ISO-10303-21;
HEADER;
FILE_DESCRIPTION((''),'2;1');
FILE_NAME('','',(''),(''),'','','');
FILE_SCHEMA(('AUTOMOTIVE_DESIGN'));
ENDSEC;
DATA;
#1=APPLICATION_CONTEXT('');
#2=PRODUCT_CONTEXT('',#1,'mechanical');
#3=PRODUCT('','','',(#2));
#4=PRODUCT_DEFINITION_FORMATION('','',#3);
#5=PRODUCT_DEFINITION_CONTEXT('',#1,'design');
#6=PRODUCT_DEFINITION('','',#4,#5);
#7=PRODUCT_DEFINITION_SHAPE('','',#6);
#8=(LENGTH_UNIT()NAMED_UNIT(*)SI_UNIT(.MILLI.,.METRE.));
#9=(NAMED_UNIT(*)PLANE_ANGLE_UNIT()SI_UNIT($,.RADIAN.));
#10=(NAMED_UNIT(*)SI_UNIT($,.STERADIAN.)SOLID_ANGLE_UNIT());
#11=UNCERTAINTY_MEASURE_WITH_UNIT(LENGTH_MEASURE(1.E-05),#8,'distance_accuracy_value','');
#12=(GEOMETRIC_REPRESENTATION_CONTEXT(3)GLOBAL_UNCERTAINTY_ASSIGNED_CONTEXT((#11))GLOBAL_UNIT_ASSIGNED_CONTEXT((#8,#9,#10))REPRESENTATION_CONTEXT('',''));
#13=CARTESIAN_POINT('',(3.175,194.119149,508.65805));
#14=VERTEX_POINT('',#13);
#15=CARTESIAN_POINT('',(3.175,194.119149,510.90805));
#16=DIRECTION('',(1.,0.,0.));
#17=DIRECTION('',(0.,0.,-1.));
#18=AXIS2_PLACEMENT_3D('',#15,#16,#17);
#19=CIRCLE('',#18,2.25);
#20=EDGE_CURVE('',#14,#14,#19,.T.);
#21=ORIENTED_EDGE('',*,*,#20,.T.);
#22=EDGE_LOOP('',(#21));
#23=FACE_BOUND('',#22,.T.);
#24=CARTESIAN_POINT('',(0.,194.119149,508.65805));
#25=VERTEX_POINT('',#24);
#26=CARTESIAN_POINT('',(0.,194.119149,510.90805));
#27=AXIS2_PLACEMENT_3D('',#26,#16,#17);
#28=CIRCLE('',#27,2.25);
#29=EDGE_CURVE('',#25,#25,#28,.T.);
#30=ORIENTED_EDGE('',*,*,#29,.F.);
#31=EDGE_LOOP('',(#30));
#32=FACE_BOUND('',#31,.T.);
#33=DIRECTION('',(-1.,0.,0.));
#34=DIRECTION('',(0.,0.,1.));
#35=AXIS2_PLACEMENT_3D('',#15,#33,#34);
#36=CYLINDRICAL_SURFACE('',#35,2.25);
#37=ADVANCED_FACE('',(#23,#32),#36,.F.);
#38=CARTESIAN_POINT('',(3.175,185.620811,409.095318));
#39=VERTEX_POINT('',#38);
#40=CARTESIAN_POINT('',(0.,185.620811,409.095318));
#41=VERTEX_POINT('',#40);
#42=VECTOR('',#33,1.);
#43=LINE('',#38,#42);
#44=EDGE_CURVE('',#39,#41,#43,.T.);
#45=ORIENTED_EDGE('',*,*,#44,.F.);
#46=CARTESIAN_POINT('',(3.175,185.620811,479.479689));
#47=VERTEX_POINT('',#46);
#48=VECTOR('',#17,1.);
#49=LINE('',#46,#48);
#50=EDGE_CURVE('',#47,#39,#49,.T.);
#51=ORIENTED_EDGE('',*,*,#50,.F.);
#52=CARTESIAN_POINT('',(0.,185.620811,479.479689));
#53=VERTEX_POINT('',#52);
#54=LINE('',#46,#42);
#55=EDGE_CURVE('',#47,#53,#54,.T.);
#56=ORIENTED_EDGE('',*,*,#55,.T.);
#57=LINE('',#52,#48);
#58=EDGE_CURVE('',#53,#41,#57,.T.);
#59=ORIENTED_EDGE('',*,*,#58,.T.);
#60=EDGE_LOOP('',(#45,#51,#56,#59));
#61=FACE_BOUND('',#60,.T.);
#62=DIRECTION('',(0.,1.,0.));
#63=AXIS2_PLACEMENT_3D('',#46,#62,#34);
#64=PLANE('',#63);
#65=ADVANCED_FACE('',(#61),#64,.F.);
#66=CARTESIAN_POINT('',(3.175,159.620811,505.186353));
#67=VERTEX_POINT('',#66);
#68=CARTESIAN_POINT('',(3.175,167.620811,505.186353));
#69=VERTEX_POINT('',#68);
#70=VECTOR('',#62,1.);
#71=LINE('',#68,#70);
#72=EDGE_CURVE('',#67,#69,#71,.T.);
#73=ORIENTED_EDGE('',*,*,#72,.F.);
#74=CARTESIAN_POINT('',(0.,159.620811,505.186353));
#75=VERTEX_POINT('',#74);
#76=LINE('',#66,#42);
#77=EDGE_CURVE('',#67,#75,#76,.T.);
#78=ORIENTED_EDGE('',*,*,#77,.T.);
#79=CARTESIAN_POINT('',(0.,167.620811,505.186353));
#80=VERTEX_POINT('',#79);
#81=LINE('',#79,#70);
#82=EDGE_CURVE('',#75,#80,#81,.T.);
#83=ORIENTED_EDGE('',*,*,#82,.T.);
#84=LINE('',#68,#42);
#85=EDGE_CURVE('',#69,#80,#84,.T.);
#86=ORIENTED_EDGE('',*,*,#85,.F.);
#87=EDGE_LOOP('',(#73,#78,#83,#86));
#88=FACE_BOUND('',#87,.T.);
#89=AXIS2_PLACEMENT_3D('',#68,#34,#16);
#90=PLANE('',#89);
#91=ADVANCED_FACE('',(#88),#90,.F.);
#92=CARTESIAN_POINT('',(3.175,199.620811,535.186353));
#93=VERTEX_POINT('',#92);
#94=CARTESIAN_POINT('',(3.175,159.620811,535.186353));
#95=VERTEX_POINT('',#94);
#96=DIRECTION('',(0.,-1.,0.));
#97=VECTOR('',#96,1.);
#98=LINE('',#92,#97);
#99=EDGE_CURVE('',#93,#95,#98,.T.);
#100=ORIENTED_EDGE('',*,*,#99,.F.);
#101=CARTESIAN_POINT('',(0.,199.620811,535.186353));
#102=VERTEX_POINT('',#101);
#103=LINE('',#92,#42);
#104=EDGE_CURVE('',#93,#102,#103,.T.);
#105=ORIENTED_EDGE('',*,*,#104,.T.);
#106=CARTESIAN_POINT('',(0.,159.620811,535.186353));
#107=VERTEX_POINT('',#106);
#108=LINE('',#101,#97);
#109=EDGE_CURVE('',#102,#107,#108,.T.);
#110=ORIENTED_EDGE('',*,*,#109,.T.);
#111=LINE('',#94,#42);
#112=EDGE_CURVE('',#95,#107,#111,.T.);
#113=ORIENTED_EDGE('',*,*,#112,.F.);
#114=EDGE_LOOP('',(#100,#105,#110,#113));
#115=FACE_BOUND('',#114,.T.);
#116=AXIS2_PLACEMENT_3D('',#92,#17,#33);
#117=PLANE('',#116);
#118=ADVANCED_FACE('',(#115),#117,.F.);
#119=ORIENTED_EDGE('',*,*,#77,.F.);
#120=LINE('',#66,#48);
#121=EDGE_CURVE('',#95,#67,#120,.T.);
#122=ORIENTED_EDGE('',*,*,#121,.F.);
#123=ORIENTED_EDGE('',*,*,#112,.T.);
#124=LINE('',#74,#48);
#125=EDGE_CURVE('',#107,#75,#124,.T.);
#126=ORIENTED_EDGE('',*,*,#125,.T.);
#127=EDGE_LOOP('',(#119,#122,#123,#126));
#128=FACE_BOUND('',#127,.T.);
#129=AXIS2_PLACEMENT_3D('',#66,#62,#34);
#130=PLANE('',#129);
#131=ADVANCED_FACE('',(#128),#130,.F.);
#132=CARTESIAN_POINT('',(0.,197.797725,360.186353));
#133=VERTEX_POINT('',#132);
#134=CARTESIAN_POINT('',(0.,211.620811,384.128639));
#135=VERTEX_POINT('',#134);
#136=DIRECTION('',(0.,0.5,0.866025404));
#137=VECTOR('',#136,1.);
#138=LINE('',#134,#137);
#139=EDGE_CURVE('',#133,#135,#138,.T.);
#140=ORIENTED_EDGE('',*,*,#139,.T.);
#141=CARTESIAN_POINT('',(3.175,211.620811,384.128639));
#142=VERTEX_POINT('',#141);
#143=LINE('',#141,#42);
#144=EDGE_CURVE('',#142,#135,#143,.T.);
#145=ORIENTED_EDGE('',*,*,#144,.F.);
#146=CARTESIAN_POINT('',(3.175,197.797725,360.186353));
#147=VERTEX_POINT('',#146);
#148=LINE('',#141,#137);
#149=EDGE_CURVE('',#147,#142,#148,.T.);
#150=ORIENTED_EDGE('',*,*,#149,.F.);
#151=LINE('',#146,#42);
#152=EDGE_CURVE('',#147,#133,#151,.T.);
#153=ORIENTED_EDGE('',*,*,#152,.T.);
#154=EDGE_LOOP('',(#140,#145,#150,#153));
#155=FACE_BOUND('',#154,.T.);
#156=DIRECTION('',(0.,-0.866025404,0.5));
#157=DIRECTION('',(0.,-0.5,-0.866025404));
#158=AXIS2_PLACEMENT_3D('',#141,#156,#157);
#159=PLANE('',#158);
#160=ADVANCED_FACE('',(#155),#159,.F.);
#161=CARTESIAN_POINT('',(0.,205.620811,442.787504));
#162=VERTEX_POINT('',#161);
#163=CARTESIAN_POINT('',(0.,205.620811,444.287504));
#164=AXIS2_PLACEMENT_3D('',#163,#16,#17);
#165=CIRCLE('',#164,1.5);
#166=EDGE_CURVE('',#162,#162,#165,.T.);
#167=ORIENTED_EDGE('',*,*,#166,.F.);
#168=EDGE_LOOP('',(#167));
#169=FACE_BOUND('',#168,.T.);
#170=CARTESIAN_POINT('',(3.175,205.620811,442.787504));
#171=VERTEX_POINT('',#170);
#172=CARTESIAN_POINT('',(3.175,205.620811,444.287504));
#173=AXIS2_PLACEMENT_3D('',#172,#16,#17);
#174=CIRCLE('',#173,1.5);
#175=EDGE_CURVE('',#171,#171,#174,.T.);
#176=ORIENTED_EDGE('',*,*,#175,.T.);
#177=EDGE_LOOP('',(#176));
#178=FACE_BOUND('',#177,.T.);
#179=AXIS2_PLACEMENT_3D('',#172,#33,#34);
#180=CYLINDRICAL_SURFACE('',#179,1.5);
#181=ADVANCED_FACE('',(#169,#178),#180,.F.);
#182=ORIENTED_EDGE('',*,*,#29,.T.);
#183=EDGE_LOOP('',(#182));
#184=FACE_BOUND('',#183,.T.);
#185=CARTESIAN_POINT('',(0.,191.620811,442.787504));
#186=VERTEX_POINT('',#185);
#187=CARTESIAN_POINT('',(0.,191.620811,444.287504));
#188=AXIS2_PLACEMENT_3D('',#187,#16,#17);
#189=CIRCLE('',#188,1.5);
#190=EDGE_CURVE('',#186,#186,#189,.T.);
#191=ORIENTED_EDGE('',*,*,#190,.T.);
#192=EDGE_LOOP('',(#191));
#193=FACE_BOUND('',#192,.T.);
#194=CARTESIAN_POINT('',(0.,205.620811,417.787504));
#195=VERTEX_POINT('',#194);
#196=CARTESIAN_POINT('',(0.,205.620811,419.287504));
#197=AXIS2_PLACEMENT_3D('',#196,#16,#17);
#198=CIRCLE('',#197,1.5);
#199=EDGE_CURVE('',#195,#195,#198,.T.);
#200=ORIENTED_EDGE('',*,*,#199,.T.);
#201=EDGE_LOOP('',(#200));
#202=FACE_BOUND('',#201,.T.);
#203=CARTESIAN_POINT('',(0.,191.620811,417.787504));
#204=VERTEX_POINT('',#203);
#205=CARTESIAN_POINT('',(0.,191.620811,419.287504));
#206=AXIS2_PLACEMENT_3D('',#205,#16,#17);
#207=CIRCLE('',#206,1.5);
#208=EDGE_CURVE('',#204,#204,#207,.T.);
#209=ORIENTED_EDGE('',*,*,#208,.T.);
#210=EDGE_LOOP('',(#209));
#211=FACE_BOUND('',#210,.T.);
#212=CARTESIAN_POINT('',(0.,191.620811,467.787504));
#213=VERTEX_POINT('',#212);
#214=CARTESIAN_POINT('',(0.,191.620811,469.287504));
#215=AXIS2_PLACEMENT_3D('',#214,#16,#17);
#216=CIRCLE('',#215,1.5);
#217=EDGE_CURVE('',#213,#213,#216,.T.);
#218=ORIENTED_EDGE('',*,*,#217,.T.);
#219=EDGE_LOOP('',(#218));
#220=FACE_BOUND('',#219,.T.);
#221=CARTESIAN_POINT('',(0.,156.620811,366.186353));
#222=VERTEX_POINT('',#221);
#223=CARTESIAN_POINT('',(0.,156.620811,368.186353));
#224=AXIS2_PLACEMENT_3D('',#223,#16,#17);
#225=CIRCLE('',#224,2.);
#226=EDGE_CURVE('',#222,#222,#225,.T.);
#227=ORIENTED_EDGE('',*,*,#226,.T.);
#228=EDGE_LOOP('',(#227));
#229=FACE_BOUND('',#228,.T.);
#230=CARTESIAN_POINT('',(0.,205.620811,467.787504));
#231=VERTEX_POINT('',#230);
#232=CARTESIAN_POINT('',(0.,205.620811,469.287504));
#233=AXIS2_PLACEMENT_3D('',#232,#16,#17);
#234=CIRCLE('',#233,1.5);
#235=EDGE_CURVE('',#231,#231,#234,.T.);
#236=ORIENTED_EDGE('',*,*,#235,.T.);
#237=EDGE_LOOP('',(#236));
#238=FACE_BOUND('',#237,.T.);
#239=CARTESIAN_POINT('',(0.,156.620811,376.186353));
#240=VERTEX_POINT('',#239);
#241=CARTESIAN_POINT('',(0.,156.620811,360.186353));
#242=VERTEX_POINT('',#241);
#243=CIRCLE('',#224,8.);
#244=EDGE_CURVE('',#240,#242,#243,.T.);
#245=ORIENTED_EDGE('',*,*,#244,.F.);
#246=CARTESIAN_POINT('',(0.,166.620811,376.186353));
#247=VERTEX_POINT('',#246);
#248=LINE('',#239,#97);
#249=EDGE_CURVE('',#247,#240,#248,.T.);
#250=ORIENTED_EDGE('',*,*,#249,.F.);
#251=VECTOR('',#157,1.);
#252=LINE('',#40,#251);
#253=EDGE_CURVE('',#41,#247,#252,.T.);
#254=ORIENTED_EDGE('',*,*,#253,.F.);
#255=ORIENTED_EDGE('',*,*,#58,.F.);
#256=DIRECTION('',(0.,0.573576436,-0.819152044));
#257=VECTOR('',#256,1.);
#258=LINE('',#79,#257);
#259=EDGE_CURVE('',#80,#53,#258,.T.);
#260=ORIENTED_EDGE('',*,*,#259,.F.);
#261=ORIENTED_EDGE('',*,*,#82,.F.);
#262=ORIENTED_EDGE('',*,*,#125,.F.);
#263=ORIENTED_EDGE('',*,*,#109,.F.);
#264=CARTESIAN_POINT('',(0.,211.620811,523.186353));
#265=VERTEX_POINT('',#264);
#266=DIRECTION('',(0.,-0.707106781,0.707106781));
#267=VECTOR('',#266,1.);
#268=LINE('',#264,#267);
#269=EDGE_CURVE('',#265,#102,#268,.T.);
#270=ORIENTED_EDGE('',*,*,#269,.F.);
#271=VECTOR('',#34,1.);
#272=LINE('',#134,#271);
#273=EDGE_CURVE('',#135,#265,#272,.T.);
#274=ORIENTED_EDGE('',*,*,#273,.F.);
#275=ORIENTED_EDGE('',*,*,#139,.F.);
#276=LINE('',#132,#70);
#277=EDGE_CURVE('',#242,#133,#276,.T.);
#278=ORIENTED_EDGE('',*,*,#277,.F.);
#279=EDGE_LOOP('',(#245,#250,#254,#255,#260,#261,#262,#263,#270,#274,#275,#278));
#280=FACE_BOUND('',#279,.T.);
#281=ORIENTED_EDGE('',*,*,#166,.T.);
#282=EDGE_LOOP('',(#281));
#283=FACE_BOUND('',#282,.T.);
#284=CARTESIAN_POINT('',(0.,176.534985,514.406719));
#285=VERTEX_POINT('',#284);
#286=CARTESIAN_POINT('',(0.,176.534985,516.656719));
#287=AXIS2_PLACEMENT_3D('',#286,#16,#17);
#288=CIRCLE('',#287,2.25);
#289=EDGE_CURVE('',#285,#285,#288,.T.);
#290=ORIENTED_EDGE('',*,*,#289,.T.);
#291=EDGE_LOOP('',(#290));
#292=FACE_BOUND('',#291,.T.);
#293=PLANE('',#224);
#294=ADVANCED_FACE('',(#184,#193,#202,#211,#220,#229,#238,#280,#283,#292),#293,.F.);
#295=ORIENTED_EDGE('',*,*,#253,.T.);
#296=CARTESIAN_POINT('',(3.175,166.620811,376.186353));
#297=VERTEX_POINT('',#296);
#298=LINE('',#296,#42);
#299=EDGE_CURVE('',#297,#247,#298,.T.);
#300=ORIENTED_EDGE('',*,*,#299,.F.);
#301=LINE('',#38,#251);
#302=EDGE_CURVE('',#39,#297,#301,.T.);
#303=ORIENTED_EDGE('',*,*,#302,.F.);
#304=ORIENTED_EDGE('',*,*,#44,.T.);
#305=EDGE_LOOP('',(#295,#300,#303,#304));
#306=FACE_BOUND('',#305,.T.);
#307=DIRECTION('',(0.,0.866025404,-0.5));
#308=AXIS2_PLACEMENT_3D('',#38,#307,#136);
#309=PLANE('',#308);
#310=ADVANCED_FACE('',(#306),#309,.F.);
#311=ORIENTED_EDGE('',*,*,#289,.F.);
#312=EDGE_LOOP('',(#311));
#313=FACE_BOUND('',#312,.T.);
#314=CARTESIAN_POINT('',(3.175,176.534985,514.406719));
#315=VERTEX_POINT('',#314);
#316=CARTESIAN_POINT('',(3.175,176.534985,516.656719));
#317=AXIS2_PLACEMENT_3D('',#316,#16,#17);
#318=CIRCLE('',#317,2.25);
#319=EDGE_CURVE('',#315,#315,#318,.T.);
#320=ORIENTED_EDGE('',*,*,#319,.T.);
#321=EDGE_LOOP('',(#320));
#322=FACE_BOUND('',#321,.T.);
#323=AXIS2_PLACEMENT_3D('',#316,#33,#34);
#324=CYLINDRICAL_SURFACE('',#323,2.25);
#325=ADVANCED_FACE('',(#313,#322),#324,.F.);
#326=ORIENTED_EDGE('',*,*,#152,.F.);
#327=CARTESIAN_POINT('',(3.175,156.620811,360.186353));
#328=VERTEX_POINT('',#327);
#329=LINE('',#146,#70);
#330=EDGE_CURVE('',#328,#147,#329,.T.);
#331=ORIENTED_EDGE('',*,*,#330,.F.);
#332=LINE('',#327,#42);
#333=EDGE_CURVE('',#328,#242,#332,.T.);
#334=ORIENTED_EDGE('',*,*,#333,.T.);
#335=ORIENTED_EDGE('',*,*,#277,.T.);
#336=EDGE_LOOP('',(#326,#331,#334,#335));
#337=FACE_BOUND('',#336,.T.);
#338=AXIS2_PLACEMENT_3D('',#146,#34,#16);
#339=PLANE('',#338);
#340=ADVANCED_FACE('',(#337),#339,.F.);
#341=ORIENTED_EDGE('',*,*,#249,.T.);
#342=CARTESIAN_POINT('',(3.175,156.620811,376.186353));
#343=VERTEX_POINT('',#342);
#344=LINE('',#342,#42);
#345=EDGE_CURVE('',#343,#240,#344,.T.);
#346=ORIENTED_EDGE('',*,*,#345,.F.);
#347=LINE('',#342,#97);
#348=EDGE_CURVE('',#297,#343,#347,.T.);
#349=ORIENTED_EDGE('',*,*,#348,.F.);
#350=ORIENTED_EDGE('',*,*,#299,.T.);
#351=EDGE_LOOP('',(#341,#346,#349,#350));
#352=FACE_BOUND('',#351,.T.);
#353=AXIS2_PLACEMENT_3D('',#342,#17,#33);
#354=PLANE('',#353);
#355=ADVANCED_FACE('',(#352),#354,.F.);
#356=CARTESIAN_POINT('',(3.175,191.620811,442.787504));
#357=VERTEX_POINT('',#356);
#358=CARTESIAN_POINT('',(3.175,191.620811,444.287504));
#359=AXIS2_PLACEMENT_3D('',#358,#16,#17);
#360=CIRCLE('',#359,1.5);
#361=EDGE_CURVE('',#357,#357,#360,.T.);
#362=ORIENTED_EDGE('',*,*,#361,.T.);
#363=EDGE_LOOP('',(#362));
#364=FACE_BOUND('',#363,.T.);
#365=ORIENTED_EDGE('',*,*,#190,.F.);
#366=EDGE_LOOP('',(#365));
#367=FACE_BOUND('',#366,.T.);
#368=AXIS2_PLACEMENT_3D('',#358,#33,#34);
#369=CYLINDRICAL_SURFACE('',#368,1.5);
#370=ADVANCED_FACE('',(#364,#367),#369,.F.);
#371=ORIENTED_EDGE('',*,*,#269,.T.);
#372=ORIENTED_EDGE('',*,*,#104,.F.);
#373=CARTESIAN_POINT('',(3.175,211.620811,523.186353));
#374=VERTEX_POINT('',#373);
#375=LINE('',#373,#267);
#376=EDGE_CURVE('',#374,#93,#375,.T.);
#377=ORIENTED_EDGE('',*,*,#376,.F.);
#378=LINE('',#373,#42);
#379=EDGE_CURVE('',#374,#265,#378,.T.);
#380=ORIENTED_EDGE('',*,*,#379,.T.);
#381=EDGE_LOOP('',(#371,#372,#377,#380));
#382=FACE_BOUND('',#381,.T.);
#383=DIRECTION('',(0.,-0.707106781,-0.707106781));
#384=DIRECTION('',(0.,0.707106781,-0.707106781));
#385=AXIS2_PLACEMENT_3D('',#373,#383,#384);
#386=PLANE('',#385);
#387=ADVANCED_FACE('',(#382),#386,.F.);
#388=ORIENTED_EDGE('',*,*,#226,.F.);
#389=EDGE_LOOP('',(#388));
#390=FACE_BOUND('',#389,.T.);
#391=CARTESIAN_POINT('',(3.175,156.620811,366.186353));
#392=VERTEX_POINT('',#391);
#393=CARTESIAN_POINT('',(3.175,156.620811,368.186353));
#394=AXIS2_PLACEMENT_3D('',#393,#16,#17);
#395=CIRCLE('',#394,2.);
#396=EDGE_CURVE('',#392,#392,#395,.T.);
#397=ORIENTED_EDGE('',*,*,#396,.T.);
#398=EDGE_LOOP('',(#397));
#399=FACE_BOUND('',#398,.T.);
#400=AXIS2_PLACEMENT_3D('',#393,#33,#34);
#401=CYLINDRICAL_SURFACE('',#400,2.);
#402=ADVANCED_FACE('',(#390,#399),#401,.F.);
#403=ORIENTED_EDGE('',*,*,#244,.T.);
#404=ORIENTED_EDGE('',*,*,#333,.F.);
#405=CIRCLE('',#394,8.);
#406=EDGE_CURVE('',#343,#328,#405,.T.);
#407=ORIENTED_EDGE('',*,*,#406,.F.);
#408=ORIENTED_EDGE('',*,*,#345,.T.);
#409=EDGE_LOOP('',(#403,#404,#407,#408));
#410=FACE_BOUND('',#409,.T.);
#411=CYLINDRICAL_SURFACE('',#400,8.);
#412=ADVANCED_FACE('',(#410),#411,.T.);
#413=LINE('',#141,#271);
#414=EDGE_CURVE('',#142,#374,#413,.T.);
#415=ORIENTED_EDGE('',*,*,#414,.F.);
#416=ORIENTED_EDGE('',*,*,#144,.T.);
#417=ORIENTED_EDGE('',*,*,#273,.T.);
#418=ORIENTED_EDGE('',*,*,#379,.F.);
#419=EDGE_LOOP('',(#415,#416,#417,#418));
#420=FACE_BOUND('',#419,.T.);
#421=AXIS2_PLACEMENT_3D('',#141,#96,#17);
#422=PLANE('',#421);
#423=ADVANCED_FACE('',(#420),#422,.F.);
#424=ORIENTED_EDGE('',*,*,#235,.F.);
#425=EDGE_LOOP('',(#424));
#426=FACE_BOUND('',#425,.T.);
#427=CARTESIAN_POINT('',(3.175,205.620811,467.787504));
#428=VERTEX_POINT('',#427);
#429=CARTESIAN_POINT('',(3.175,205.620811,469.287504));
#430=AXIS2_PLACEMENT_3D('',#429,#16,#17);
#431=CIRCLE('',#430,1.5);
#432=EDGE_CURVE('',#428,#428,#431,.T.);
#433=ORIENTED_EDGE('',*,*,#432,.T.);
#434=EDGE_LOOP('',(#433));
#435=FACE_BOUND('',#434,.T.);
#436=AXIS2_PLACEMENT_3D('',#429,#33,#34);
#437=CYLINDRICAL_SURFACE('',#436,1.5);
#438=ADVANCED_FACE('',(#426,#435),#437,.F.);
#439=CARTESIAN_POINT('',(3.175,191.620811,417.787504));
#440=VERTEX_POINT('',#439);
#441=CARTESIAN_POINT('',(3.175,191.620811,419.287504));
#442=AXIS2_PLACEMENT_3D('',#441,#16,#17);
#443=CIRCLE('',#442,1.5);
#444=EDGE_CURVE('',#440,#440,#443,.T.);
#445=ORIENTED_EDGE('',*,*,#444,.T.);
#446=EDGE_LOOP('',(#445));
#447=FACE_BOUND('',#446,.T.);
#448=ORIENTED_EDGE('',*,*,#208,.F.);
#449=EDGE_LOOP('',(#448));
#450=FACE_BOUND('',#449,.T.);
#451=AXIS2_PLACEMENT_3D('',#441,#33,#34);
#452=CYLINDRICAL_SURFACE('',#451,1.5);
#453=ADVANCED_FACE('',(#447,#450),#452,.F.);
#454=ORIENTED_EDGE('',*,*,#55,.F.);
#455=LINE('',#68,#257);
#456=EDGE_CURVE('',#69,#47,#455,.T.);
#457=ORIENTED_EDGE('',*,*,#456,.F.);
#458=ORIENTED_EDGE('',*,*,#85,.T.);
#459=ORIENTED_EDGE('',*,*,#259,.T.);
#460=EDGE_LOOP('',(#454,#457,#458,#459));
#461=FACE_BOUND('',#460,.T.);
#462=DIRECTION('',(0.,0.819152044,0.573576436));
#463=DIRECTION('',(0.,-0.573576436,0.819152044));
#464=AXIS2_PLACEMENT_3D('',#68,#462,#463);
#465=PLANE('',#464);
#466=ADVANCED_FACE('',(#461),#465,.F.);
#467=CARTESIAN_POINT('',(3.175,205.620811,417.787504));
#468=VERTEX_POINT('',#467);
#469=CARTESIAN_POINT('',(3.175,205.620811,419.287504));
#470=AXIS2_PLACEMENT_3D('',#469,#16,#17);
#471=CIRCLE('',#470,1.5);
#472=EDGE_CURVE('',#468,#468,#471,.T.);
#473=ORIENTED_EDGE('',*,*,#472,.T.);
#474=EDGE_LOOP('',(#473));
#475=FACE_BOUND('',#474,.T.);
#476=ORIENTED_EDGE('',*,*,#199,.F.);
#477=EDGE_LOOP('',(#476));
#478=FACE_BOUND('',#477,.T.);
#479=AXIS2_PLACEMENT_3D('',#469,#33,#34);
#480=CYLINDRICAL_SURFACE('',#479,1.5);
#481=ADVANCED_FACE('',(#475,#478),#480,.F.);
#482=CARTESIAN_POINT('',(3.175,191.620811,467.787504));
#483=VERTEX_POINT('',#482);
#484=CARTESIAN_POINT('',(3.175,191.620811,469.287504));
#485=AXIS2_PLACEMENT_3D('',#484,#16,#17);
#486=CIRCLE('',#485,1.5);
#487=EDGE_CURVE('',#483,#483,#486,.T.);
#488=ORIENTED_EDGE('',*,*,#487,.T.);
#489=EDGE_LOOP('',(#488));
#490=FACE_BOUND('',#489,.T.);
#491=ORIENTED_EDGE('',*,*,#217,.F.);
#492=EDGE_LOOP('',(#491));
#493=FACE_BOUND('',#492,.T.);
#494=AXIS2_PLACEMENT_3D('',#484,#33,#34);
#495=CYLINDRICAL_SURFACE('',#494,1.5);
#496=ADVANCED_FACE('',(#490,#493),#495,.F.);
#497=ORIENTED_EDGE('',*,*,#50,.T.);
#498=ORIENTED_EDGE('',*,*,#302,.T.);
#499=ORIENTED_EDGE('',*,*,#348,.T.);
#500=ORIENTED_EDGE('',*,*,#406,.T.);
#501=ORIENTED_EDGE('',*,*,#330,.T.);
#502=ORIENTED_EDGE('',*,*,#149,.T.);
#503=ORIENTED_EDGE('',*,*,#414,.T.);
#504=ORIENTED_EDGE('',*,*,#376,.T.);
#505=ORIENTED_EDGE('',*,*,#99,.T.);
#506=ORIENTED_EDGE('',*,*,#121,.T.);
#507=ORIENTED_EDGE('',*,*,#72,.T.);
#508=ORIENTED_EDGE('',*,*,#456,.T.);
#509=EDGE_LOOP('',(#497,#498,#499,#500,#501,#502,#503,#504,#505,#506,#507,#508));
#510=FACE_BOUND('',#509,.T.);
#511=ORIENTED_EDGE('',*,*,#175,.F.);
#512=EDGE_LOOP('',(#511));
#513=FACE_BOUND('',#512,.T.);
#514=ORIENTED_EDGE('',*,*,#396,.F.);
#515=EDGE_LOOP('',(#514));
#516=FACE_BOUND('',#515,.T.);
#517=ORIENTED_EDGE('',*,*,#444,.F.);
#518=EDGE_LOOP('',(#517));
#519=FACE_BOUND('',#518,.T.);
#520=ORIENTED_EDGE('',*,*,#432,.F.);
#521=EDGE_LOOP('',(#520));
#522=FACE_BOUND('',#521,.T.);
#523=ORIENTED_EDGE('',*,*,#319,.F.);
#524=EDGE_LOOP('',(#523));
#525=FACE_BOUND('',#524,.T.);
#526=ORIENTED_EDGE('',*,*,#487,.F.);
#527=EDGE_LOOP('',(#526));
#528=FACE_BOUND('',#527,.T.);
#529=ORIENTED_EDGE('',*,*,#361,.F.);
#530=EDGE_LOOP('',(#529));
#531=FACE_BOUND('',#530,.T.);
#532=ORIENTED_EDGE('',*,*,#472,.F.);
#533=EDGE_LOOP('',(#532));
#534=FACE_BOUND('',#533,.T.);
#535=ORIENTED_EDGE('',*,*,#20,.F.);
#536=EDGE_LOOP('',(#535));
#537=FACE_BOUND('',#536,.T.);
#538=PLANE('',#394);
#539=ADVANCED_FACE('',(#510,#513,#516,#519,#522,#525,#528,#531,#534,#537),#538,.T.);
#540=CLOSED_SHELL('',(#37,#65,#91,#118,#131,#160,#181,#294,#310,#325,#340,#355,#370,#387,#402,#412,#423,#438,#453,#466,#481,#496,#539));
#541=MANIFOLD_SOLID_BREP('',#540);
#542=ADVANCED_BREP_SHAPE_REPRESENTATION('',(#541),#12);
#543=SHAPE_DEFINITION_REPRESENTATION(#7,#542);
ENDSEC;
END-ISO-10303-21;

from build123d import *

# Parameters (mm, degrees)
SKETCH1_R           = 2
SKETCH1_R_2         = 1.5
SKETCH1_R_3         = 2.25
BOSS_EXTRUDE1_DEPTH = 3.175


with BuildPart() as part:
    # Sketch1 → Boss-Extrude1 (new body)
    with BuildSketch(Plane(origin=(0, 0, 0), x_dir=(0, 0, -1), z_dir=(1, 0, 0))):
        with BuildLine():
            Line((-384.128639271, 211.620810697), (-360.186352931, 197.797725233))
            Line((-360.186352931, 197.797725233), (-360.186352931, 156.620810697))
            ThreePointArc((-360.186352931, 156.620810697), (-368.186352931, 148.620810697), (-376.186352931, 156.620810697))
            Line((-376.186352931, 156.620810697), (-376.186352931, 166.620810697))
            Line((-376.186352931, 166.620810697), (-409.095318274, 185.620810697))
            Line((-409.095318274, 185.620810697), (-479.479688809, 185.620810697))
            Line((-479.479688809, 185.620810697), (-505.186352931, 167.620810697))
            Line((-505.186352931, 167.620810697), (-505.186352931, 159.620810697))
            Line((-505.186352931, 159.620810697), (-535.186352931, 159.620810697))
            Line((-535.186352931, 159.620810697), (-535.186352931, 199.620810697))
            Line((-535.186352931, 199.620810697), (-523.186352931, 211.620810697))
            Line((-523.186352931, 211.620810697), (-384.128639271, 211.620810697))
        make_face()
        with Locations((-368.186352931, 156.620810697)):
            Circle(SKETCH1_R, mode=Mode.SUBTRACT)
        with Locations((-419.287503542, 205.620810697)):
            Circle(SKETCH1_R_2, mode=Mode.SUBTRACT)
        with Locations((-510.908050144, 194.119148631)):
            Circle(SKETCH1_R_3, mode=Mode.SUBTRACT)
        with Locations((-516.656718986, 176.534985115)):
            Circle(SKETCH1_R_3, mode=Mode.SUBTRACT)
        with Locations((-419.287503542, 191.620810697)):
            Circle(SKETCH1_R_2, mode=Mode.SUBTRACT)
        with Locations((-469.287503542, 205.620810697)):
            Circle(SKETCH1_R_2, mode=Mode.SUBTRACT)
        with Locations((-469.287503542, 191.620810697)):
            Circle(SKETCH1_R_2, mode=Mode.SUBTRACT)
        with Locations((-444.287503542, 205.620810697)):
            Circle(SKETCH1_R_2, mode=Mode.SUBTRACT)
        with Locations((-444.287503542, 191.620810697)):
            Circle(SKETCH1_R_2, mode=Mode.SUBTRACT)
    extrude(amount=BOSS_EXTRUDE1_DEPTH)


solid = part.part
